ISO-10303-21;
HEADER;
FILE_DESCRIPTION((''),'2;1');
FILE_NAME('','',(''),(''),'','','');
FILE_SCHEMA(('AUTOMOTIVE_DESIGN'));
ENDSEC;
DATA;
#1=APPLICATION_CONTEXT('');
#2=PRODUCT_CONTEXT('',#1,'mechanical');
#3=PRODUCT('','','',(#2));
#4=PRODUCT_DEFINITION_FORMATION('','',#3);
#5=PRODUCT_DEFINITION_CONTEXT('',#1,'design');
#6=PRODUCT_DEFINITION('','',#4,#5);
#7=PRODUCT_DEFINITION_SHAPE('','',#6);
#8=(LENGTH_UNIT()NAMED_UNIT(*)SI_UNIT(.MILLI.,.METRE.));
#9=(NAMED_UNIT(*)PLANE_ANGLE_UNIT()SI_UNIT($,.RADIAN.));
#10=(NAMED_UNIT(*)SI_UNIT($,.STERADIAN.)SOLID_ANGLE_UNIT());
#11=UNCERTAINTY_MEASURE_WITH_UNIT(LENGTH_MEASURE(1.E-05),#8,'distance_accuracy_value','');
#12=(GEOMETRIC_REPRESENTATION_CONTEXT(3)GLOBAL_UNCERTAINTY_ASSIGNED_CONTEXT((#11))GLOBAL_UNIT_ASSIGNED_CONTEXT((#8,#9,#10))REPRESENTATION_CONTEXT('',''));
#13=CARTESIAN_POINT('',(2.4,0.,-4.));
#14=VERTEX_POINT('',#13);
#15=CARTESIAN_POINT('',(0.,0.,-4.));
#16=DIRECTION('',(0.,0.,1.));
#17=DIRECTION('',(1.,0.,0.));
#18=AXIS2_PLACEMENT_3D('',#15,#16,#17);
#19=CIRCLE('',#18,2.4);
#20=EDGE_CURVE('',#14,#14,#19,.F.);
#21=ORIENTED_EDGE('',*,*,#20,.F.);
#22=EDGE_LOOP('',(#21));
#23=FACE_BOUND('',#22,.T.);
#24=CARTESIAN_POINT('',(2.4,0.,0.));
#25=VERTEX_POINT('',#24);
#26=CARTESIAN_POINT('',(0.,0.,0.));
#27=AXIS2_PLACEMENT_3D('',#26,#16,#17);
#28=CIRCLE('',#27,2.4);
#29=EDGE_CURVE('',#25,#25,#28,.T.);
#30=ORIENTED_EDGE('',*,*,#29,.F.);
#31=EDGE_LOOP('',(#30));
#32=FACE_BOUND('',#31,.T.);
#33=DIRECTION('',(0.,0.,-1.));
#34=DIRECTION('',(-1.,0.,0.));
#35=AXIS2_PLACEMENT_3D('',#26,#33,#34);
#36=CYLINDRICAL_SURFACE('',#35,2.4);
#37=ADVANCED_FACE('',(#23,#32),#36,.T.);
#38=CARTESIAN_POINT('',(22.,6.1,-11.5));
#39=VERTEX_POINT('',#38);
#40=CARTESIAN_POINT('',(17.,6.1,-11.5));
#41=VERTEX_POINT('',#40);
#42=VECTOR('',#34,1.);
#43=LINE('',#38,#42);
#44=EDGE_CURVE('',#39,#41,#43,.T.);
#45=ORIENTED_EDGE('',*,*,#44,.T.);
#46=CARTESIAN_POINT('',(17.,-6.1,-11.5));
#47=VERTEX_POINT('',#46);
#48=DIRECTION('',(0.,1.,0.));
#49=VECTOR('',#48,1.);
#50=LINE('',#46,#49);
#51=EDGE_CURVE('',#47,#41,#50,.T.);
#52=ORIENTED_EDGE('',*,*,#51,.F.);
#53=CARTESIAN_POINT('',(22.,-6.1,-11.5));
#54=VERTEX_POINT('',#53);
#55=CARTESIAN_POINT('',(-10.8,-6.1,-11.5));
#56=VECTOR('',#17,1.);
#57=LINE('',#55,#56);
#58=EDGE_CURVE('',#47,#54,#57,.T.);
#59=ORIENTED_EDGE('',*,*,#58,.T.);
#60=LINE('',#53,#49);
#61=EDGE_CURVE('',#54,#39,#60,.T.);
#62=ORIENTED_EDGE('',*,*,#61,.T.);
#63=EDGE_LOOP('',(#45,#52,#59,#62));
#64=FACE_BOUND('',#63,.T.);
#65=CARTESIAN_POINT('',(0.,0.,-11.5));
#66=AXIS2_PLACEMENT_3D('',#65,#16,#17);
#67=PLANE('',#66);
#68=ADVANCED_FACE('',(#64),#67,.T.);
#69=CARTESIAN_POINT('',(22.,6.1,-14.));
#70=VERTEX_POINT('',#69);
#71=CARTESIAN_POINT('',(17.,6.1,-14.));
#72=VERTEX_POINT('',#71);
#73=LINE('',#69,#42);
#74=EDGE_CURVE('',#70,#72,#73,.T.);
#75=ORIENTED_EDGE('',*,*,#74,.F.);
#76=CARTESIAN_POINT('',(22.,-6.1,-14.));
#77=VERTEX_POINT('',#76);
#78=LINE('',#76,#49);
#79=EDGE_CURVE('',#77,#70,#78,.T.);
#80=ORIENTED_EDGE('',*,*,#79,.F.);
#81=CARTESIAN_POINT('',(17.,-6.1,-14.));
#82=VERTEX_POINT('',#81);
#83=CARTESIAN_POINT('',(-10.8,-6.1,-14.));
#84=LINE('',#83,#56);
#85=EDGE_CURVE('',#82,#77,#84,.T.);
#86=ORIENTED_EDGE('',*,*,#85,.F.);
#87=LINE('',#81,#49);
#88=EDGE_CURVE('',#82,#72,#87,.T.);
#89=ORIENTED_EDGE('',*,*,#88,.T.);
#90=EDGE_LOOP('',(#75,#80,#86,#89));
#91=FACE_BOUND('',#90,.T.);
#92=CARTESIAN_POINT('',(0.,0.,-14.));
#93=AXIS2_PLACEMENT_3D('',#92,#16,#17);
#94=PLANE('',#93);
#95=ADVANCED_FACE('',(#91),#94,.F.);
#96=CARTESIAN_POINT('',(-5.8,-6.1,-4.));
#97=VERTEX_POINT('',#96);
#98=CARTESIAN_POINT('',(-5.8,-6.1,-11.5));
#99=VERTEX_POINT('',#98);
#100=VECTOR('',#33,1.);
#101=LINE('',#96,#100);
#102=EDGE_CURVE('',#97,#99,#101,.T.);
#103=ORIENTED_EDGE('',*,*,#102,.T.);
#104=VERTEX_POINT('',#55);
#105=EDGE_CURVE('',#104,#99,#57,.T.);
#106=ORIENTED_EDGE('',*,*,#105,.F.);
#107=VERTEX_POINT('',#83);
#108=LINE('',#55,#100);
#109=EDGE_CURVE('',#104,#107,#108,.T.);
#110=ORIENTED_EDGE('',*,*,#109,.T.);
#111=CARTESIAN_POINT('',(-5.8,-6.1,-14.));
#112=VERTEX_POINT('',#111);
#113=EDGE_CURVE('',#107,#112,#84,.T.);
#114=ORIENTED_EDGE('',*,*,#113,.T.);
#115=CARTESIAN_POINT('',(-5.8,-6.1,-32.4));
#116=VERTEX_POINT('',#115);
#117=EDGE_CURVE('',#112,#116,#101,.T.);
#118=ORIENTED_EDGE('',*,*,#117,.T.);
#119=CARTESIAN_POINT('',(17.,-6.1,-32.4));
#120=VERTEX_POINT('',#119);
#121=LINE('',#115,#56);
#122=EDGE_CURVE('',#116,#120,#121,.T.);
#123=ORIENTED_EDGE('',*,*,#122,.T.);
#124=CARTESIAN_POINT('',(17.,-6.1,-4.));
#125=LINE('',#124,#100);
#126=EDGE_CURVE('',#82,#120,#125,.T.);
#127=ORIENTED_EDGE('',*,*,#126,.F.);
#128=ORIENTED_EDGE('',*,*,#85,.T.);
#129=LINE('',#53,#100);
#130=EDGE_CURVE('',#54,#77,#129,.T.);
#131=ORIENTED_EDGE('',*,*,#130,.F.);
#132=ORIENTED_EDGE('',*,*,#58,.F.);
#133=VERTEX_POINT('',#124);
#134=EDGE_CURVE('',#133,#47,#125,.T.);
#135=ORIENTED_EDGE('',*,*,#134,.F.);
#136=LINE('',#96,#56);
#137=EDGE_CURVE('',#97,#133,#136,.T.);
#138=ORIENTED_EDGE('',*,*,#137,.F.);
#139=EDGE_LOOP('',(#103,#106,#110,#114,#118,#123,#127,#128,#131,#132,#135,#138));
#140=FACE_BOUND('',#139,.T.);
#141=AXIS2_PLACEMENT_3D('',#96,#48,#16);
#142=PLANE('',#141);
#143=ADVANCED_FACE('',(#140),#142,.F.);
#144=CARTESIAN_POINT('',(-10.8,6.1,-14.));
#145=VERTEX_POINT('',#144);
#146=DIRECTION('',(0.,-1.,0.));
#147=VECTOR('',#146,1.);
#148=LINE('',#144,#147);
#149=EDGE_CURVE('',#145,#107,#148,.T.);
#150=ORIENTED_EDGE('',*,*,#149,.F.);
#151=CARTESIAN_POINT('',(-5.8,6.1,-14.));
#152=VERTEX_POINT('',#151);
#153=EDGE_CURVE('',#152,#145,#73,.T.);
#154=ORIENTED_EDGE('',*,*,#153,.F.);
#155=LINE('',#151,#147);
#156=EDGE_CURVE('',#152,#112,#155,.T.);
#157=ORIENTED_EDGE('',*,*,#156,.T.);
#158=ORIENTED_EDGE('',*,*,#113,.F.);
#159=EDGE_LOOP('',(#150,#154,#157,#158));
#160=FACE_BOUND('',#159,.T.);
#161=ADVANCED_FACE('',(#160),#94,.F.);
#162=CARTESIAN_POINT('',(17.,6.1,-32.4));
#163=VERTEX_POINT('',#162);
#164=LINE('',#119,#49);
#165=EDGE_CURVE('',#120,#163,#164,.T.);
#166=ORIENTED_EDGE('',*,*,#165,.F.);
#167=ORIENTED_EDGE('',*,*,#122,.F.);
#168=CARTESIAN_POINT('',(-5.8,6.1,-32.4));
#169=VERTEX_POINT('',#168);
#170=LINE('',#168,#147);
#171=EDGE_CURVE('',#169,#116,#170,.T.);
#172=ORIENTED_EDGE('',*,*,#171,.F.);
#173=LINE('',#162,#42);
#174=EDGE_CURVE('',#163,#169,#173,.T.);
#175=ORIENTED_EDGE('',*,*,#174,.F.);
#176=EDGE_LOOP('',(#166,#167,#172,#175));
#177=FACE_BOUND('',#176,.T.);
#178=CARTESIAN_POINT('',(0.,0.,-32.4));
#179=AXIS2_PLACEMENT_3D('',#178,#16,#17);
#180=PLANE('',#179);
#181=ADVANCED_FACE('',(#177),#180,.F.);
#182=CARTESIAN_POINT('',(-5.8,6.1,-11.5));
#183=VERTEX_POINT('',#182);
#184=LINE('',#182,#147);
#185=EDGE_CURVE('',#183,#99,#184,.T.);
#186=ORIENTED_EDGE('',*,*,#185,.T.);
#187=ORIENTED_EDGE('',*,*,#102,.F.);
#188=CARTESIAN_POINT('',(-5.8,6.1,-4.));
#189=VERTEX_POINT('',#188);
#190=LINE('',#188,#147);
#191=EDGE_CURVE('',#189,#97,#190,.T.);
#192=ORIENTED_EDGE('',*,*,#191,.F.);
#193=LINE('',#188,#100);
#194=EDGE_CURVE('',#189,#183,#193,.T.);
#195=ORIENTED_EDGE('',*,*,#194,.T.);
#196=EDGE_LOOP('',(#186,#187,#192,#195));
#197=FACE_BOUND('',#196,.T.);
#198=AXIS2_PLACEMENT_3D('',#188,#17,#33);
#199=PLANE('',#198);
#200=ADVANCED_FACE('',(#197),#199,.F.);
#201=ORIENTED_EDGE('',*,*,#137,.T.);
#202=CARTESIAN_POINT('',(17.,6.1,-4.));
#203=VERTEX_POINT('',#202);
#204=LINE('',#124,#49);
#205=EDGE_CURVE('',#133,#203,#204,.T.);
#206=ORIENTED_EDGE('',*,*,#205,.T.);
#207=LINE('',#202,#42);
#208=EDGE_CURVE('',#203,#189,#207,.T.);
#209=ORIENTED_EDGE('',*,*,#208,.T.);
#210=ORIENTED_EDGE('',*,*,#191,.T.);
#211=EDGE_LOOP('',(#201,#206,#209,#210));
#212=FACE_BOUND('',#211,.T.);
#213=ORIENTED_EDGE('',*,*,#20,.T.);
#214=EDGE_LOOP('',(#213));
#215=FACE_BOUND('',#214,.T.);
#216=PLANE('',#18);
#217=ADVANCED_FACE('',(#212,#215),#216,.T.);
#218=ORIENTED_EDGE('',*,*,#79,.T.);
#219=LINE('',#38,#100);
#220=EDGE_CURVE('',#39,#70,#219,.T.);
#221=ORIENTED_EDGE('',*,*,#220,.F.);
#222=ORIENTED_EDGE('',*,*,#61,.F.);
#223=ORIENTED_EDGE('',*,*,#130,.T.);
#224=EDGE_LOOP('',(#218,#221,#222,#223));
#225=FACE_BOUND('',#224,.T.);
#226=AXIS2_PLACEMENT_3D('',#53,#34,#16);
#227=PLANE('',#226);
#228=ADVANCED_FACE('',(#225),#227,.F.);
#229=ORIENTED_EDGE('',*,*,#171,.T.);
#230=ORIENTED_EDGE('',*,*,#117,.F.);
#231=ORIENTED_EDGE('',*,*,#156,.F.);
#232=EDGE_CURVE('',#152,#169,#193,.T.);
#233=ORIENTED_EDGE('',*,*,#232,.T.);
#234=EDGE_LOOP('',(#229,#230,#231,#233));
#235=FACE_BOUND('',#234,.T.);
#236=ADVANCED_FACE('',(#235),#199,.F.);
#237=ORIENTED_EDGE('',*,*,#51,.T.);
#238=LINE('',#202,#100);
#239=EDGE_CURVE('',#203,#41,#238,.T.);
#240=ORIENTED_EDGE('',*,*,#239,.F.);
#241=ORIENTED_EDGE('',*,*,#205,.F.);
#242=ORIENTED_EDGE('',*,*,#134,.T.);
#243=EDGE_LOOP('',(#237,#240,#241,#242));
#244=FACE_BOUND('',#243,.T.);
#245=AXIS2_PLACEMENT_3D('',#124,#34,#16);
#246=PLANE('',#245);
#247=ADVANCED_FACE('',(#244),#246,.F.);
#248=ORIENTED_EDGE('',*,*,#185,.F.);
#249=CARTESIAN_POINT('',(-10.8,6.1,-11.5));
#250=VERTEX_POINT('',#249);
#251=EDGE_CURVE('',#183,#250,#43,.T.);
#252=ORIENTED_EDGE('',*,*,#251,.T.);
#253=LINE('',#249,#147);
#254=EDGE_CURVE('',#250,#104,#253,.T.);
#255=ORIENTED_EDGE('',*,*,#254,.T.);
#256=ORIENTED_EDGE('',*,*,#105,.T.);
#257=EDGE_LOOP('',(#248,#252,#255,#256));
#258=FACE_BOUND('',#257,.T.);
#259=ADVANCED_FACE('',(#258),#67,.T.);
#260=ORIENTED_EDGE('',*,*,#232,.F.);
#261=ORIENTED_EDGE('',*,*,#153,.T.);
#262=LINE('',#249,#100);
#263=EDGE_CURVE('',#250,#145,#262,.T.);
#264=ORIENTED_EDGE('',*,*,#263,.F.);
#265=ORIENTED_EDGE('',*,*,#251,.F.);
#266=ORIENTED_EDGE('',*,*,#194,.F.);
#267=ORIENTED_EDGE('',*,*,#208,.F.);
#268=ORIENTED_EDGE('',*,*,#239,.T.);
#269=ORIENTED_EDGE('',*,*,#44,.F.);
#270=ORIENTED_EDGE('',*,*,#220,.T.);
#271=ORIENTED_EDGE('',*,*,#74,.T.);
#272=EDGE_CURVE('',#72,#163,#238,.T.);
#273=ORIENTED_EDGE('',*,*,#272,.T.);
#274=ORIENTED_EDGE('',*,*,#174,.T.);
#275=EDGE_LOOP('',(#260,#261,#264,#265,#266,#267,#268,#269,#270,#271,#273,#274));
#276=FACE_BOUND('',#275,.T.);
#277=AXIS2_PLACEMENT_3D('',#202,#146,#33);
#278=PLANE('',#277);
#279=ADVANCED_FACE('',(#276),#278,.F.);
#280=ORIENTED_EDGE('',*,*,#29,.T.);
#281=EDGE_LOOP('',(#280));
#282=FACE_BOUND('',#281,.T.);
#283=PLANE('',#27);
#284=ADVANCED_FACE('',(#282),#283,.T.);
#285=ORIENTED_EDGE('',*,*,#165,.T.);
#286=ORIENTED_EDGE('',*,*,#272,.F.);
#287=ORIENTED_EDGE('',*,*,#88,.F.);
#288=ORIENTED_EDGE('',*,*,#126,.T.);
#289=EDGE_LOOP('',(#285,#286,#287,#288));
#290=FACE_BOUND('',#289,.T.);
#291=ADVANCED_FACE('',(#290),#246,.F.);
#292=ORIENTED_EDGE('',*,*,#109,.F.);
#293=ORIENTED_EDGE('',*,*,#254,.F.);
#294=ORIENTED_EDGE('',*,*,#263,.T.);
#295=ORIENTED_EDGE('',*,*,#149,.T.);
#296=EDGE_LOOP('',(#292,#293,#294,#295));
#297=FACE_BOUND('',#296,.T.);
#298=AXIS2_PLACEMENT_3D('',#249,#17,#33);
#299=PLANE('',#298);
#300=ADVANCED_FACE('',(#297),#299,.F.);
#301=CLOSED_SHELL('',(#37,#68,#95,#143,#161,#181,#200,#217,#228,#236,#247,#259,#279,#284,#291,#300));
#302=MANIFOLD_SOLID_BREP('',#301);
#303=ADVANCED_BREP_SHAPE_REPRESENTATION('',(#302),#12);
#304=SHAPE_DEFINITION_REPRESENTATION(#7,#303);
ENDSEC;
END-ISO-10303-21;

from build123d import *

# Parameters (mm, degrees)
S_BOX1_W     = 22.8
S_BOX1_H     = 12.2
BOSS_1_DEPTH = 28.4
S_BOX2_W     = 32.8
S_BOX2_H     = 12.2
BOSS_2_DEPTH = 2.5
S_CYL3_R     = 2.4
BOSS_3_DEPTH = 4.5


with BuildPart() as part:
    # S_box1 → Boss_1 (new body)
    with BuildSketch(Plane.XY.offset(-32.4)):
        with Locations((5.6, 0)):
            Rectangle(S_BOX1_W, S_BOX1_H)
    extrude(amount=BOSS_1_DEPTH)

    # S_box2 → Boss_2 (add)
    with BuildSketch(Plane.XY.offset(-14)):
        with Locations((5.6, 0)):
            Rectangle(S_BOX2_W, S_BOX2_H)
    extrude(amount=BOSS_2_DEPTH)

    # S_cyl3 → Boss_3 (add)
    with BuildSketch(Plane.XY.offset(-4.5)):
        Circle(S_CYL3_R)
    extrude(amount=BOSS_3_DEPTH)


solid = part.part
